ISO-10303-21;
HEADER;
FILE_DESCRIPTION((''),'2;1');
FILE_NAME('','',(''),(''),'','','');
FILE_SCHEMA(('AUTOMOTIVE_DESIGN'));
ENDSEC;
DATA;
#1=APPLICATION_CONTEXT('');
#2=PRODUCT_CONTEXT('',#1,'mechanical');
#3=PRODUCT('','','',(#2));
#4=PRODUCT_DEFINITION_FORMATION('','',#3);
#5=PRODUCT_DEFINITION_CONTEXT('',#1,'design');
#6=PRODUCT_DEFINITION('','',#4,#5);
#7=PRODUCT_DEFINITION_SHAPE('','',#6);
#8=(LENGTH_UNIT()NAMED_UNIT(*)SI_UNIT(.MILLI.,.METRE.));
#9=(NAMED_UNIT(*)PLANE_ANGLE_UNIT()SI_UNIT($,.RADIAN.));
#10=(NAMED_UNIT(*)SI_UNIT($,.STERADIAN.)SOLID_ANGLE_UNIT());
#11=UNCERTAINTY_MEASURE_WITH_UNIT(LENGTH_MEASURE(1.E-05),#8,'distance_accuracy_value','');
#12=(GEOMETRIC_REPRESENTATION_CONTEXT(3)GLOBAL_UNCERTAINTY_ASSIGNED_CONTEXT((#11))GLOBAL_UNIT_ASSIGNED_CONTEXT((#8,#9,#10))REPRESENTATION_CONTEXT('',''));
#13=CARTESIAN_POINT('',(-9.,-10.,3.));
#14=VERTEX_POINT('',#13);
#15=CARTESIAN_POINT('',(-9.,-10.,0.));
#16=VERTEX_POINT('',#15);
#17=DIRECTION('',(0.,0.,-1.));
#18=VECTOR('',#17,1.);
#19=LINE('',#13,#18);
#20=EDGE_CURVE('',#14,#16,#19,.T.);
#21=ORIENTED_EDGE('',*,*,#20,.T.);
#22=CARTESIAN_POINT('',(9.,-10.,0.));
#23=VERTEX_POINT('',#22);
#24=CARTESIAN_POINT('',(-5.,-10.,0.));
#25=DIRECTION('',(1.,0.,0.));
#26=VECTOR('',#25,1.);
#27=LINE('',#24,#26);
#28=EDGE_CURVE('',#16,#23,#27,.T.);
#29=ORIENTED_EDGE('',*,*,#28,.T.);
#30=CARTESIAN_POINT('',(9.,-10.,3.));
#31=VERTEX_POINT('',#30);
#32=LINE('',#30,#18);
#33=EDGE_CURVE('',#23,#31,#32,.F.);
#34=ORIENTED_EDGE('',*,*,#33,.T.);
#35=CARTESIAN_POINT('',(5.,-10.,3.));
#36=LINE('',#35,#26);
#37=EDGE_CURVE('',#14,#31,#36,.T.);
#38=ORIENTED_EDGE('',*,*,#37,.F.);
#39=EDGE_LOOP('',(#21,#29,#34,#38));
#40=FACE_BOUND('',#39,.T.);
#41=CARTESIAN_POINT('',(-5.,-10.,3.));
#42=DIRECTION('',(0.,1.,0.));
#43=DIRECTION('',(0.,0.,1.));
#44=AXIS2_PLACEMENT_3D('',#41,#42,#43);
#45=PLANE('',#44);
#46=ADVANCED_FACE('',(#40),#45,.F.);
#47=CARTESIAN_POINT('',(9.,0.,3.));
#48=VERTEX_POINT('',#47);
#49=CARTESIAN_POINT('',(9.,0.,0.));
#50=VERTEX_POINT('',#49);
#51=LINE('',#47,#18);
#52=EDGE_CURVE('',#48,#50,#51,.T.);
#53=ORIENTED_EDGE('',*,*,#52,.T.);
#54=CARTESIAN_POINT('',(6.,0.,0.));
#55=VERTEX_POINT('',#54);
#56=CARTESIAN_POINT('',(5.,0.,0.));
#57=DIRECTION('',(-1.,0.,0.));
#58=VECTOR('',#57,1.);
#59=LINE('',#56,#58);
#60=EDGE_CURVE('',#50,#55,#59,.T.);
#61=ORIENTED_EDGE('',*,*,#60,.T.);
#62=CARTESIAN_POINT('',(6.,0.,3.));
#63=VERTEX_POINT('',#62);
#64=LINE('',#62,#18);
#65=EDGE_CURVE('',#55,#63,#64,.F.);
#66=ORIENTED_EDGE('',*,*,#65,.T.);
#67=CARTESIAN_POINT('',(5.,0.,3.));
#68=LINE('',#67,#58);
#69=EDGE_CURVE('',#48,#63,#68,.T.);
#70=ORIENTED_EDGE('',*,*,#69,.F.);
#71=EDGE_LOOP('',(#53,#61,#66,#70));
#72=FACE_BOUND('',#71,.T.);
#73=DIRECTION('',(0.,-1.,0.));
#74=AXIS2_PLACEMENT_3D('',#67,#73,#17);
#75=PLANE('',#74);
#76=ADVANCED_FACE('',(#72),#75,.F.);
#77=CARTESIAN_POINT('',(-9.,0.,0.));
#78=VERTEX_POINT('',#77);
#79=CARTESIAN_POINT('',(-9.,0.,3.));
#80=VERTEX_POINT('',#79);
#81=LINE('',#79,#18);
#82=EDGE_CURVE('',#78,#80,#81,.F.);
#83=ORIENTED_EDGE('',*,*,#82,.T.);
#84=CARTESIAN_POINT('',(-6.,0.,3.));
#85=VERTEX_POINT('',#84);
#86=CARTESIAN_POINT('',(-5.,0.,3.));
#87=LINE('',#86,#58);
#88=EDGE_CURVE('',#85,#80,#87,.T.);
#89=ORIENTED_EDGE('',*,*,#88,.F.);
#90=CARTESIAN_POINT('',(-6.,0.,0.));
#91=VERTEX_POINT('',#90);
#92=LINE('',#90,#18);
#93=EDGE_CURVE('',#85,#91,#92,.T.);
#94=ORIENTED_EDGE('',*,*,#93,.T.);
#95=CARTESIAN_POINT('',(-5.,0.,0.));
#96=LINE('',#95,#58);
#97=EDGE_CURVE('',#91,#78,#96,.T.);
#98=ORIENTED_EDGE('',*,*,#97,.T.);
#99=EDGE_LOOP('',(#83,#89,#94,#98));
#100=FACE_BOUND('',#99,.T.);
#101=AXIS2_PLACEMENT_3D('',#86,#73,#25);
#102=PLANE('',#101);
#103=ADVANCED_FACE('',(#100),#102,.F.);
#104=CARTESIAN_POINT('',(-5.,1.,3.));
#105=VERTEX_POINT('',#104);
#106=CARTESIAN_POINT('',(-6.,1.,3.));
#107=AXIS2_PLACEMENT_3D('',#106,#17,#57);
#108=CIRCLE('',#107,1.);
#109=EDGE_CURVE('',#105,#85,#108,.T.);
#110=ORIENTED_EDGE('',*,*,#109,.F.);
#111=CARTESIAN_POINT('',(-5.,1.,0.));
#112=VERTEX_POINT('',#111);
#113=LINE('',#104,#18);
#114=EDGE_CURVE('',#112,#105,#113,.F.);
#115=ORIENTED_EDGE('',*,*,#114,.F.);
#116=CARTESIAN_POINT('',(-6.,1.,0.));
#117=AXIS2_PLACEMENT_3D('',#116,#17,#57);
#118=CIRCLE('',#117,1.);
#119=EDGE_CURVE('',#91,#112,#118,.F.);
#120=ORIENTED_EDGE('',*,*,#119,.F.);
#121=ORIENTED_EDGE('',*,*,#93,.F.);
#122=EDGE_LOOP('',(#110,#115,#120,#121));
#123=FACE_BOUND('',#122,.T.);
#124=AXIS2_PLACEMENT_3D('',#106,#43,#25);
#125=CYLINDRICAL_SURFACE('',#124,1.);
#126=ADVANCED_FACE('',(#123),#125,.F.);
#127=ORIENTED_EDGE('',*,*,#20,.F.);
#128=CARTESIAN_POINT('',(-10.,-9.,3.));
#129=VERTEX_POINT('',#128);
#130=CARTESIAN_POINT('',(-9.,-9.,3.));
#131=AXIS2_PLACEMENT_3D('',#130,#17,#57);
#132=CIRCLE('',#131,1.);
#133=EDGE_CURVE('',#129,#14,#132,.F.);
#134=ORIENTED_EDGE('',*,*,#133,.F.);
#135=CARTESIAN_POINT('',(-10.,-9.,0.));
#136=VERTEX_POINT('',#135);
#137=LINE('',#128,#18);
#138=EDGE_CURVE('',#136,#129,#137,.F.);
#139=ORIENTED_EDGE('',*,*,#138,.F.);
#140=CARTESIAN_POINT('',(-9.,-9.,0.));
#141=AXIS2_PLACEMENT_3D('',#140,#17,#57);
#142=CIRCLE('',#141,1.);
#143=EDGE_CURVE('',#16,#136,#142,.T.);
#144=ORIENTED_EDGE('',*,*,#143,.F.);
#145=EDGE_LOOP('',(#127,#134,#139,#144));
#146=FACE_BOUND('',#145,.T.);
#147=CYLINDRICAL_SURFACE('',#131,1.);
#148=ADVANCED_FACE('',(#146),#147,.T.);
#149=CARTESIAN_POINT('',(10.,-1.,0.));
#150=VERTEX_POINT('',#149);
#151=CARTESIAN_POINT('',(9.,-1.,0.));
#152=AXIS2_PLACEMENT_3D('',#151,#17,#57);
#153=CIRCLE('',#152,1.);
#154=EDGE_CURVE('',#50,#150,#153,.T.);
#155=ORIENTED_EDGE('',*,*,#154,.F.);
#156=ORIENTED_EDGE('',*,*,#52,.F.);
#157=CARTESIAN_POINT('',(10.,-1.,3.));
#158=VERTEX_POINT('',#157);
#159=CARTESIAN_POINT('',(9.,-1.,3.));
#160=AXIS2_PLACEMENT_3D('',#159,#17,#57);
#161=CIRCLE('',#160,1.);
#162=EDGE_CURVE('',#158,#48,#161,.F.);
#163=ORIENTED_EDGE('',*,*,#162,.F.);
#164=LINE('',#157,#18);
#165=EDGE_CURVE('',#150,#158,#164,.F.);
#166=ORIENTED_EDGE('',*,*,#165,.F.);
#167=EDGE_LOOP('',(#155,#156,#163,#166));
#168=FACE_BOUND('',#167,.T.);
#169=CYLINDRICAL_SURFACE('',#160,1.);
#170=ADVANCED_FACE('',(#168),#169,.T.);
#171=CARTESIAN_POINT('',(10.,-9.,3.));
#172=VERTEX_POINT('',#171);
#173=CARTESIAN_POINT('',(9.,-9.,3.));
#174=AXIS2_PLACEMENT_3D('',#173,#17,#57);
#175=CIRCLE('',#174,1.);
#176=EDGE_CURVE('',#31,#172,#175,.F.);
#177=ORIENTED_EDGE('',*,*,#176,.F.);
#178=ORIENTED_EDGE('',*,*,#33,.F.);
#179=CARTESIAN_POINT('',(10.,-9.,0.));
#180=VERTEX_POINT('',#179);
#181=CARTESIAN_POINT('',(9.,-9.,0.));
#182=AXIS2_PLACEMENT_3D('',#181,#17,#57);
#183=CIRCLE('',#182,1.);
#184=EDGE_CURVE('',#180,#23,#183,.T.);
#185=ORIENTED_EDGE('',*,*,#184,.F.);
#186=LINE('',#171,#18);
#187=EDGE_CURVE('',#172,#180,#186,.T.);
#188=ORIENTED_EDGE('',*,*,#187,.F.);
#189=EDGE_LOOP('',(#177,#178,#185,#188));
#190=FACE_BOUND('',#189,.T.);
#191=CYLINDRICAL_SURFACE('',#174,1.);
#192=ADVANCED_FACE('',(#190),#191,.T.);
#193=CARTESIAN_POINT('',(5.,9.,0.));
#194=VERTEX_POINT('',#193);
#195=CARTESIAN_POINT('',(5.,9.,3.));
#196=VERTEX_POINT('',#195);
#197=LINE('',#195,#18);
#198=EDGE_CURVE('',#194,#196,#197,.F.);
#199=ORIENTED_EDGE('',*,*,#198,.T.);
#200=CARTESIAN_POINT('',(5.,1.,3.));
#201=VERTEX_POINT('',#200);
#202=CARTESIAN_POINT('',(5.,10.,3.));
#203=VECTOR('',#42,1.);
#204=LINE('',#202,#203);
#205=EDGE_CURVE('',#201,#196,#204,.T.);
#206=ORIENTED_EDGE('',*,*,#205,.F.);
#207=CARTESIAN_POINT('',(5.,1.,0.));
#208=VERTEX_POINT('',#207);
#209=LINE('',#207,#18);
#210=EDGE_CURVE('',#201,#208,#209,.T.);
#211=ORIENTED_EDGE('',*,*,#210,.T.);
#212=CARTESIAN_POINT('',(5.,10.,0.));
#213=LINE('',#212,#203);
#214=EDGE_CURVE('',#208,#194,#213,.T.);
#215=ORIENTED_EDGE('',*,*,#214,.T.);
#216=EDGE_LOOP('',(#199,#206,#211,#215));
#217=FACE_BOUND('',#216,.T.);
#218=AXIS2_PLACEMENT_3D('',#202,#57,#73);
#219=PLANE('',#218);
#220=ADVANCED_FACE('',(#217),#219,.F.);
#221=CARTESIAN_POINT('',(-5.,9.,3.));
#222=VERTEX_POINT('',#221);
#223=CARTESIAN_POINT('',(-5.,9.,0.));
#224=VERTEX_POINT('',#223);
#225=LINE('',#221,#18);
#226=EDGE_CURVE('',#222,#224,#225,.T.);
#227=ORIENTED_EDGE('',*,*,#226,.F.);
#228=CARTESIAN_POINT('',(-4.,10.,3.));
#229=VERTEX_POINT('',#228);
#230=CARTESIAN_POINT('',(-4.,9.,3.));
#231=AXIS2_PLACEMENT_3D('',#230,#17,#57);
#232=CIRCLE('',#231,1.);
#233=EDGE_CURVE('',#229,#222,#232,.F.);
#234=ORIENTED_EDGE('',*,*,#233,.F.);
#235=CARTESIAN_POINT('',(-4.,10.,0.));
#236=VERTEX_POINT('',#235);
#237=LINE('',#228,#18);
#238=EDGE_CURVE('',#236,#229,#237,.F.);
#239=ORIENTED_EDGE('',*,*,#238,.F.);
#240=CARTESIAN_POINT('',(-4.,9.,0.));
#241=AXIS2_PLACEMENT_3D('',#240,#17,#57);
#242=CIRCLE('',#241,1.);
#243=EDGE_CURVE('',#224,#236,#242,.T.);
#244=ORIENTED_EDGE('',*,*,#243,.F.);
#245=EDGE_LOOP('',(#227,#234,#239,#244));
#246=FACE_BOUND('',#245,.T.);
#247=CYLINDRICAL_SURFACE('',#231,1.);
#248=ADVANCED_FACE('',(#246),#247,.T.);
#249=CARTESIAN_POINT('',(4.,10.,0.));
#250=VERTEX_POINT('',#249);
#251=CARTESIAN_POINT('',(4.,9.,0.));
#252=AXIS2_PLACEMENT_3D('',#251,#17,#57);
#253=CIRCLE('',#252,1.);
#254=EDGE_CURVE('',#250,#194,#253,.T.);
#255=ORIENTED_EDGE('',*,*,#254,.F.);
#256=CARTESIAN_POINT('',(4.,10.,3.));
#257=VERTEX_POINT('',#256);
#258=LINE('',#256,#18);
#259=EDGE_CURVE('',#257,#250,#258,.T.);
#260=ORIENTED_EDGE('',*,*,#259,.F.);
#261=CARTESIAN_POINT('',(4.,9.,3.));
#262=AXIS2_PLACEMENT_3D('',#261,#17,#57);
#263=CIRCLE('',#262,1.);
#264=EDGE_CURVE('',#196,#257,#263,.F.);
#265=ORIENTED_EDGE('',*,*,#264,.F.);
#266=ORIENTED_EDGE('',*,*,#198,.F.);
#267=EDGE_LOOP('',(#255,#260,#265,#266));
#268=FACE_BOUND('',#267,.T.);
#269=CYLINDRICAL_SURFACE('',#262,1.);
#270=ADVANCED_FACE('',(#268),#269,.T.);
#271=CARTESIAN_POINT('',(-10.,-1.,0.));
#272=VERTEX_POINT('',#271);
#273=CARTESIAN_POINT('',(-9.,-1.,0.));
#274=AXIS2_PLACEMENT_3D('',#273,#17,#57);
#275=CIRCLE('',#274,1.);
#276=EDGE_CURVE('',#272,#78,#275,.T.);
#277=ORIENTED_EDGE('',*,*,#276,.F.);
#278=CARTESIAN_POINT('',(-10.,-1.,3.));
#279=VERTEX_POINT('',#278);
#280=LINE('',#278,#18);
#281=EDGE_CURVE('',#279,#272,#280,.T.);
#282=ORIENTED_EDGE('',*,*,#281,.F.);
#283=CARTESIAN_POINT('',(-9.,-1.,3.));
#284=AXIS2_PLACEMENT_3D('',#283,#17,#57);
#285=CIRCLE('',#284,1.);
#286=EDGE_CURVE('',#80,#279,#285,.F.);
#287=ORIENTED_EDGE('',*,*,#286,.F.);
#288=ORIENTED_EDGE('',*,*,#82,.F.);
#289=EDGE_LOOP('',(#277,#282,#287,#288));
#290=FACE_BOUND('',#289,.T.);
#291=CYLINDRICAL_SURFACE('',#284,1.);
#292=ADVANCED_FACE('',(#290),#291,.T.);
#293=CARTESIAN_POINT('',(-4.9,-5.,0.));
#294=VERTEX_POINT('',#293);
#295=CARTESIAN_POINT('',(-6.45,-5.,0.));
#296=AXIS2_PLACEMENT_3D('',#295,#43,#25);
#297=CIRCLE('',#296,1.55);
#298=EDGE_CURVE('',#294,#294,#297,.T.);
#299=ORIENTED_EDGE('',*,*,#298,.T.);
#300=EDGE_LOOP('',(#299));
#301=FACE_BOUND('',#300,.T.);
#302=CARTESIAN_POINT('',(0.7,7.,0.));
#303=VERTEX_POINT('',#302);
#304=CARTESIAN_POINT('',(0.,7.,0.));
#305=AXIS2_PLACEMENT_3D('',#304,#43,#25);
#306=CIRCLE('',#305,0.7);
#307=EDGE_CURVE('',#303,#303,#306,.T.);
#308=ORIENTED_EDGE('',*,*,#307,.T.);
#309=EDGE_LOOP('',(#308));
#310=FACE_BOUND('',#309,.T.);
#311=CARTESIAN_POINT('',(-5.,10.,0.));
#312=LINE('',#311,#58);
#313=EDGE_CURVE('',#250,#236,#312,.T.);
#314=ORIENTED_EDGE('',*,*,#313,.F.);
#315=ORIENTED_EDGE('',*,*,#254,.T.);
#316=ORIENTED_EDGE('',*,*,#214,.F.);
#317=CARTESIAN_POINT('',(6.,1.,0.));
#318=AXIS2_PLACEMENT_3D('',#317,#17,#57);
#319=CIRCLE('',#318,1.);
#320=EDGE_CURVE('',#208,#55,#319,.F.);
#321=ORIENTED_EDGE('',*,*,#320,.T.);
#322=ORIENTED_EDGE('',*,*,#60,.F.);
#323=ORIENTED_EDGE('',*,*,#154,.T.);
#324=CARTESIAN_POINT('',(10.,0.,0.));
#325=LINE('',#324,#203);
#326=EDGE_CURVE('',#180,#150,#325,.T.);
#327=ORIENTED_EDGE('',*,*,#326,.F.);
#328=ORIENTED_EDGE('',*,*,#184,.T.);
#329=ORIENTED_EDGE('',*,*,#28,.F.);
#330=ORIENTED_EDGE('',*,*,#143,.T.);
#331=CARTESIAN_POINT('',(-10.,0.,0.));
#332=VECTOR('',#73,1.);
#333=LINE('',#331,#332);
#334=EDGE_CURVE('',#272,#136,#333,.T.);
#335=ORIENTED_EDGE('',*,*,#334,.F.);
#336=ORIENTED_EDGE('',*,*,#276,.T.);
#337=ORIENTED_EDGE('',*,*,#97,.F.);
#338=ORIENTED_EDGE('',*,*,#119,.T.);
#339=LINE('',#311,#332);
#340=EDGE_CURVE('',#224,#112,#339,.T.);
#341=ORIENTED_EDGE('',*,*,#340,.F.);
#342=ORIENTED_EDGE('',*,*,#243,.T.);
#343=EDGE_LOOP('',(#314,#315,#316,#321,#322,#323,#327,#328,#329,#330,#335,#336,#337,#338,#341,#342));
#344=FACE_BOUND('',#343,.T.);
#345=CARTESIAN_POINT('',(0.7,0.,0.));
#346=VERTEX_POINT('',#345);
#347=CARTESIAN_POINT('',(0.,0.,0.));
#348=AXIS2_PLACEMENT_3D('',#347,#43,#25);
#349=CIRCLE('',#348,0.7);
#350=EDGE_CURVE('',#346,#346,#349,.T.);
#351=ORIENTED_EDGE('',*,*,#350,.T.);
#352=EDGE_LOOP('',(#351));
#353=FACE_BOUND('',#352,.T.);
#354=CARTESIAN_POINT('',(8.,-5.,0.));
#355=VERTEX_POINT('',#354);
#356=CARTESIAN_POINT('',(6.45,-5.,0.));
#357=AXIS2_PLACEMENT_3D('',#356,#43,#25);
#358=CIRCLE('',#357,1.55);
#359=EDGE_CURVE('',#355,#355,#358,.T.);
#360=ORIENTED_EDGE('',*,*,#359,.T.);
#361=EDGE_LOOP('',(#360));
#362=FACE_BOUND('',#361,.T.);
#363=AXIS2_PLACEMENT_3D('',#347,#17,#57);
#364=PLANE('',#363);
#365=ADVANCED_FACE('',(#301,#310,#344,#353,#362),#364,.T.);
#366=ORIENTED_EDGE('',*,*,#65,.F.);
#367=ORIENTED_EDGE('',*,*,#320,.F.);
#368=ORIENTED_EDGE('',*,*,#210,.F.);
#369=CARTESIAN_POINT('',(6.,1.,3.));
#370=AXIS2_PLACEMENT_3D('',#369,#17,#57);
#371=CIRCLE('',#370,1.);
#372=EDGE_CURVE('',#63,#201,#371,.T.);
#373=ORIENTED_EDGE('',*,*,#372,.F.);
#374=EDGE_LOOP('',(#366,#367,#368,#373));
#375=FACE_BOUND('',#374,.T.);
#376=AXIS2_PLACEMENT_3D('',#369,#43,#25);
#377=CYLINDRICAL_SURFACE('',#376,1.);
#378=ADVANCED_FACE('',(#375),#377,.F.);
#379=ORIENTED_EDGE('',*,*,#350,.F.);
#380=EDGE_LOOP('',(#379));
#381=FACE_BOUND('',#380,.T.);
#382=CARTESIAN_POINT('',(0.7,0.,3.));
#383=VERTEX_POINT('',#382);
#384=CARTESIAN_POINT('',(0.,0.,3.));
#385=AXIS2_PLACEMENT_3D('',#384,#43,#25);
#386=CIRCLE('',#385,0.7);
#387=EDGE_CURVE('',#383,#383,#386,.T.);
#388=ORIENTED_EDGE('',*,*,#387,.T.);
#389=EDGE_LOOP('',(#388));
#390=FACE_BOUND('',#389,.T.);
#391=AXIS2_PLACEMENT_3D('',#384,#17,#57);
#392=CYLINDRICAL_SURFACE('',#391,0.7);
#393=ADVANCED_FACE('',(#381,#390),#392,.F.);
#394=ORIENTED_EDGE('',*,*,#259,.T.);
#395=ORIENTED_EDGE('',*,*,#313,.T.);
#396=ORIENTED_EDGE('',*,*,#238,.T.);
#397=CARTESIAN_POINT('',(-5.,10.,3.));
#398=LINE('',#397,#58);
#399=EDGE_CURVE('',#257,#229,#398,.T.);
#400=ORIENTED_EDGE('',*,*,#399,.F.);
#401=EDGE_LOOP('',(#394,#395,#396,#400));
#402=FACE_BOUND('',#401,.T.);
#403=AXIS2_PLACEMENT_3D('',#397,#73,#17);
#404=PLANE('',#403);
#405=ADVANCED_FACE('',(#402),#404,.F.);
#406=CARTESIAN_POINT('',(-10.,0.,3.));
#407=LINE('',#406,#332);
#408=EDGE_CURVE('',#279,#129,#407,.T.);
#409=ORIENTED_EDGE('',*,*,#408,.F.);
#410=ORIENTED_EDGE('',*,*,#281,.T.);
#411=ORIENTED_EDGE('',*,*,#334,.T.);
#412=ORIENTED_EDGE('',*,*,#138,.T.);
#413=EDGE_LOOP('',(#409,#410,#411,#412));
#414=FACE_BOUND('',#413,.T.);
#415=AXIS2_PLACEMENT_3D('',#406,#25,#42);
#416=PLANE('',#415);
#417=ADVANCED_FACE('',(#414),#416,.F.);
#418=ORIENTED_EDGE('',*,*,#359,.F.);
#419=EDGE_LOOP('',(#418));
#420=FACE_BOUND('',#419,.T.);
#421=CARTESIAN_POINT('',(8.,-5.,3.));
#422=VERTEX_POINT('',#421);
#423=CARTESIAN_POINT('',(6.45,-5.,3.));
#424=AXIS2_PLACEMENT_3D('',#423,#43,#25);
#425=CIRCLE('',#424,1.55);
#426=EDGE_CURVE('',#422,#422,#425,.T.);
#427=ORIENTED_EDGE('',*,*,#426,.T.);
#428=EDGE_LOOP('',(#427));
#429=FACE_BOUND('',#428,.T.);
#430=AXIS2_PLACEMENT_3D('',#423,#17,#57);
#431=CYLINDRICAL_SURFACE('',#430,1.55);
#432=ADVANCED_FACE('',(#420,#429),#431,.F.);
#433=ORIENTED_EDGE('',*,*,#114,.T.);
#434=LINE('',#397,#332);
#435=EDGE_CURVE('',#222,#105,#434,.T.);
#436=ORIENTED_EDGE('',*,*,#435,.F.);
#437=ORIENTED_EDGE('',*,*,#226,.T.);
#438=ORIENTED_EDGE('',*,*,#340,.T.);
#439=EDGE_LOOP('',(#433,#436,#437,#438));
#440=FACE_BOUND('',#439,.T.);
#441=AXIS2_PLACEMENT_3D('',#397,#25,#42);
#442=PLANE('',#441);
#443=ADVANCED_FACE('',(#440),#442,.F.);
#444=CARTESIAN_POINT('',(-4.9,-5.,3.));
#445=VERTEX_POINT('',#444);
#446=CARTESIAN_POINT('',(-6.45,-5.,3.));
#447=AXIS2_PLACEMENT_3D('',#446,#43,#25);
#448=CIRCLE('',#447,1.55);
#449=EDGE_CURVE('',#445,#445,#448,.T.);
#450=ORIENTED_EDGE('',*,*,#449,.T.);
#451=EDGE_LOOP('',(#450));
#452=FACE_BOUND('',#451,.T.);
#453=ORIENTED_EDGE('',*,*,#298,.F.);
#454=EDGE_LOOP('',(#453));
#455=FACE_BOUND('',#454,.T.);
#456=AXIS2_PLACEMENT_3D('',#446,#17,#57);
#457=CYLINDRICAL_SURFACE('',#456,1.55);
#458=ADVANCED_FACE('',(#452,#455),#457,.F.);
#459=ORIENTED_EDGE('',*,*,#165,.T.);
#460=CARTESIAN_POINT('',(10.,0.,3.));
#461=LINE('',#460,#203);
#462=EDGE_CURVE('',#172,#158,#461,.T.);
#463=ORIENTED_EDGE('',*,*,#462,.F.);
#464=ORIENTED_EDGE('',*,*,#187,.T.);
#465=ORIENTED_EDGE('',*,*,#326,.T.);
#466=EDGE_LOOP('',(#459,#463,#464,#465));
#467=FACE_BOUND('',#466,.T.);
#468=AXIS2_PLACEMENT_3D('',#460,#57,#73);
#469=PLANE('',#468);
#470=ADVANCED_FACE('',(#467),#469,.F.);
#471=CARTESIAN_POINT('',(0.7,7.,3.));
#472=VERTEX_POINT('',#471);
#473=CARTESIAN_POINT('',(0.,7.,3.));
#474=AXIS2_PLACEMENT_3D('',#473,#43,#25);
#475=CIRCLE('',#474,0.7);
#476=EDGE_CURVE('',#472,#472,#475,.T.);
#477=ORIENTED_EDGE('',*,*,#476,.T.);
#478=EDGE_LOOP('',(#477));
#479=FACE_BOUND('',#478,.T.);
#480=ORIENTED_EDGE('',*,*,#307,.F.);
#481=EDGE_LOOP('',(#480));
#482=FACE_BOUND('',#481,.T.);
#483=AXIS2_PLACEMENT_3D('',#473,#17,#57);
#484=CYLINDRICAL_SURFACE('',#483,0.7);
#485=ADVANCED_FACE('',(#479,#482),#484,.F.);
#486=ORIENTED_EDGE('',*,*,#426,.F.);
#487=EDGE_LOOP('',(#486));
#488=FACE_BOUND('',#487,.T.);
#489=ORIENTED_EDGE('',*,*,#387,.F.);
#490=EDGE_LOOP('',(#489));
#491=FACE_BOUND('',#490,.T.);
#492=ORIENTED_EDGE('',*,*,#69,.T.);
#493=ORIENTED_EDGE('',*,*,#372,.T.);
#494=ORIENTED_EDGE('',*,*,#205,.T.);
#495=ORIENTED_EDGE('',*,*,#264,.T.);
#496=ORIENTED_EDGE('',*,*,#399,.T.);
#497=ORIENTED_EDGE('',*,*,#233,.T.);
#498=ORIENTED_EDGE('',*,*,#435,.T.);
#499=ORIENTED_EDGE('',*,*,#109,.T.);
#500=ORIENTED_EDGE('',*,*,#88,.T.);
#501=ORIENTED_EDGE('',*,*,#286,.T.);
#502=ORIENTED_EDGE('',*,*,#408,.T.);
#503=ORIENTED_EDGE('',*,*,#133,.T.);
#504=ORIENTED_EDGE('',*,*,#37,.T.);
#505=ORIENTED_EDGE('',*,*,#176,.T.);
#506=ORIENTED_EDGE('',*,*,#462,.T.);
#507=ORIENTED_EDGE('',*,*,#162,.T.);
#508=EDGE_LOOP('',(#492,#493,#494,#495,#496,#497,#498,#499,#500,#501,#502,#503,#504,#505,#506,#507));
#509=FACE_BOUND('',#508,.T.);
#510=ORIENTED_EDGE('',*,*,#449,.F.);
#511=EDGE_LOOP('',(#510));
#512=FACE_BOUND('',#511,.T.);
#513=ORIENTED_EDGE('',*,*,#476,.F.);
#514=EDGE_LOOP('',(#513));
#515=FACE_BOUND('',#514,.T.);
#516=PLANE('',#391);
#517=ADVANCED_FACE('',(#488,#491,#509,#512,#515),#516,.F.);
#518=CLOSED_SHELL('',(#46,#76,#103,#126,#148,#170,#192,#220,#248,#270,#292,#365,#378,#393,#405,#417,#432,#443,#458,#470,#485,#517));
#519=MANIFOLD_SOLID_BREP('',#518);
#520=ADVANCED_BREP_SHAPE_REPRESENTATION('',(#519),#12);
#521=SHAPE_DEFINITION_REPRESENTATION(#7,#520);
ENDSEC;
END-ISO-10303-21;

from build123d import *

# Parameters (mm, degrees)
SKETCH_1_R      = 1.55
SKETCH_1_R_2    = 0.7
EXTRUDE_1_DEPTH = 3
FILLET_1_R      = 1


with BuildPart() as part:
    # 草图1 → 凸台-拉伸1 (new body)
    with BuildSketch(Plane.XY):
        Polygon((-5, 10), (5, 10), (5, 0), (10, 0), (10, -10), (5, -10), (-5, -10), (-10, -10), (-10, 0), (-5, 0), align=None)
        with Locations((-6.45, -5)):
            Circle(SKETCH_1_R, mode=Mode.SUBTRACT)
        with Locations((6.45, -5)):
            Circle(SKETCH_1_R, mode=Mode.SUBTRACT)
        Circle(SKETCH_1_R_2, mode=Mode.SUBTRACT)
        with Locations((0, 7)):
            Circle(SKETCH_1_R_2, mode=Mode.SUBTRACT)
    extrude(amount=EXTRUDE_1_DEPTH)

    # 圆角1
    fillet_1_edges = [part.edges().sort_by_distance(p)[0] for p in [
        (-10, -10, 1.5),
        (-10, 0, 1.5),
        (-5, 0, 1.5),
        (-5, 10, 1.5),
        (5, 10, 1.5),
        (5, 0, 1.5),
        (10, 0, 1.5),
        (10, -10, 1.5),
    ]]
    fillet(fillet_1_edges, radius=FILLET_1_R)


solid = part.part
